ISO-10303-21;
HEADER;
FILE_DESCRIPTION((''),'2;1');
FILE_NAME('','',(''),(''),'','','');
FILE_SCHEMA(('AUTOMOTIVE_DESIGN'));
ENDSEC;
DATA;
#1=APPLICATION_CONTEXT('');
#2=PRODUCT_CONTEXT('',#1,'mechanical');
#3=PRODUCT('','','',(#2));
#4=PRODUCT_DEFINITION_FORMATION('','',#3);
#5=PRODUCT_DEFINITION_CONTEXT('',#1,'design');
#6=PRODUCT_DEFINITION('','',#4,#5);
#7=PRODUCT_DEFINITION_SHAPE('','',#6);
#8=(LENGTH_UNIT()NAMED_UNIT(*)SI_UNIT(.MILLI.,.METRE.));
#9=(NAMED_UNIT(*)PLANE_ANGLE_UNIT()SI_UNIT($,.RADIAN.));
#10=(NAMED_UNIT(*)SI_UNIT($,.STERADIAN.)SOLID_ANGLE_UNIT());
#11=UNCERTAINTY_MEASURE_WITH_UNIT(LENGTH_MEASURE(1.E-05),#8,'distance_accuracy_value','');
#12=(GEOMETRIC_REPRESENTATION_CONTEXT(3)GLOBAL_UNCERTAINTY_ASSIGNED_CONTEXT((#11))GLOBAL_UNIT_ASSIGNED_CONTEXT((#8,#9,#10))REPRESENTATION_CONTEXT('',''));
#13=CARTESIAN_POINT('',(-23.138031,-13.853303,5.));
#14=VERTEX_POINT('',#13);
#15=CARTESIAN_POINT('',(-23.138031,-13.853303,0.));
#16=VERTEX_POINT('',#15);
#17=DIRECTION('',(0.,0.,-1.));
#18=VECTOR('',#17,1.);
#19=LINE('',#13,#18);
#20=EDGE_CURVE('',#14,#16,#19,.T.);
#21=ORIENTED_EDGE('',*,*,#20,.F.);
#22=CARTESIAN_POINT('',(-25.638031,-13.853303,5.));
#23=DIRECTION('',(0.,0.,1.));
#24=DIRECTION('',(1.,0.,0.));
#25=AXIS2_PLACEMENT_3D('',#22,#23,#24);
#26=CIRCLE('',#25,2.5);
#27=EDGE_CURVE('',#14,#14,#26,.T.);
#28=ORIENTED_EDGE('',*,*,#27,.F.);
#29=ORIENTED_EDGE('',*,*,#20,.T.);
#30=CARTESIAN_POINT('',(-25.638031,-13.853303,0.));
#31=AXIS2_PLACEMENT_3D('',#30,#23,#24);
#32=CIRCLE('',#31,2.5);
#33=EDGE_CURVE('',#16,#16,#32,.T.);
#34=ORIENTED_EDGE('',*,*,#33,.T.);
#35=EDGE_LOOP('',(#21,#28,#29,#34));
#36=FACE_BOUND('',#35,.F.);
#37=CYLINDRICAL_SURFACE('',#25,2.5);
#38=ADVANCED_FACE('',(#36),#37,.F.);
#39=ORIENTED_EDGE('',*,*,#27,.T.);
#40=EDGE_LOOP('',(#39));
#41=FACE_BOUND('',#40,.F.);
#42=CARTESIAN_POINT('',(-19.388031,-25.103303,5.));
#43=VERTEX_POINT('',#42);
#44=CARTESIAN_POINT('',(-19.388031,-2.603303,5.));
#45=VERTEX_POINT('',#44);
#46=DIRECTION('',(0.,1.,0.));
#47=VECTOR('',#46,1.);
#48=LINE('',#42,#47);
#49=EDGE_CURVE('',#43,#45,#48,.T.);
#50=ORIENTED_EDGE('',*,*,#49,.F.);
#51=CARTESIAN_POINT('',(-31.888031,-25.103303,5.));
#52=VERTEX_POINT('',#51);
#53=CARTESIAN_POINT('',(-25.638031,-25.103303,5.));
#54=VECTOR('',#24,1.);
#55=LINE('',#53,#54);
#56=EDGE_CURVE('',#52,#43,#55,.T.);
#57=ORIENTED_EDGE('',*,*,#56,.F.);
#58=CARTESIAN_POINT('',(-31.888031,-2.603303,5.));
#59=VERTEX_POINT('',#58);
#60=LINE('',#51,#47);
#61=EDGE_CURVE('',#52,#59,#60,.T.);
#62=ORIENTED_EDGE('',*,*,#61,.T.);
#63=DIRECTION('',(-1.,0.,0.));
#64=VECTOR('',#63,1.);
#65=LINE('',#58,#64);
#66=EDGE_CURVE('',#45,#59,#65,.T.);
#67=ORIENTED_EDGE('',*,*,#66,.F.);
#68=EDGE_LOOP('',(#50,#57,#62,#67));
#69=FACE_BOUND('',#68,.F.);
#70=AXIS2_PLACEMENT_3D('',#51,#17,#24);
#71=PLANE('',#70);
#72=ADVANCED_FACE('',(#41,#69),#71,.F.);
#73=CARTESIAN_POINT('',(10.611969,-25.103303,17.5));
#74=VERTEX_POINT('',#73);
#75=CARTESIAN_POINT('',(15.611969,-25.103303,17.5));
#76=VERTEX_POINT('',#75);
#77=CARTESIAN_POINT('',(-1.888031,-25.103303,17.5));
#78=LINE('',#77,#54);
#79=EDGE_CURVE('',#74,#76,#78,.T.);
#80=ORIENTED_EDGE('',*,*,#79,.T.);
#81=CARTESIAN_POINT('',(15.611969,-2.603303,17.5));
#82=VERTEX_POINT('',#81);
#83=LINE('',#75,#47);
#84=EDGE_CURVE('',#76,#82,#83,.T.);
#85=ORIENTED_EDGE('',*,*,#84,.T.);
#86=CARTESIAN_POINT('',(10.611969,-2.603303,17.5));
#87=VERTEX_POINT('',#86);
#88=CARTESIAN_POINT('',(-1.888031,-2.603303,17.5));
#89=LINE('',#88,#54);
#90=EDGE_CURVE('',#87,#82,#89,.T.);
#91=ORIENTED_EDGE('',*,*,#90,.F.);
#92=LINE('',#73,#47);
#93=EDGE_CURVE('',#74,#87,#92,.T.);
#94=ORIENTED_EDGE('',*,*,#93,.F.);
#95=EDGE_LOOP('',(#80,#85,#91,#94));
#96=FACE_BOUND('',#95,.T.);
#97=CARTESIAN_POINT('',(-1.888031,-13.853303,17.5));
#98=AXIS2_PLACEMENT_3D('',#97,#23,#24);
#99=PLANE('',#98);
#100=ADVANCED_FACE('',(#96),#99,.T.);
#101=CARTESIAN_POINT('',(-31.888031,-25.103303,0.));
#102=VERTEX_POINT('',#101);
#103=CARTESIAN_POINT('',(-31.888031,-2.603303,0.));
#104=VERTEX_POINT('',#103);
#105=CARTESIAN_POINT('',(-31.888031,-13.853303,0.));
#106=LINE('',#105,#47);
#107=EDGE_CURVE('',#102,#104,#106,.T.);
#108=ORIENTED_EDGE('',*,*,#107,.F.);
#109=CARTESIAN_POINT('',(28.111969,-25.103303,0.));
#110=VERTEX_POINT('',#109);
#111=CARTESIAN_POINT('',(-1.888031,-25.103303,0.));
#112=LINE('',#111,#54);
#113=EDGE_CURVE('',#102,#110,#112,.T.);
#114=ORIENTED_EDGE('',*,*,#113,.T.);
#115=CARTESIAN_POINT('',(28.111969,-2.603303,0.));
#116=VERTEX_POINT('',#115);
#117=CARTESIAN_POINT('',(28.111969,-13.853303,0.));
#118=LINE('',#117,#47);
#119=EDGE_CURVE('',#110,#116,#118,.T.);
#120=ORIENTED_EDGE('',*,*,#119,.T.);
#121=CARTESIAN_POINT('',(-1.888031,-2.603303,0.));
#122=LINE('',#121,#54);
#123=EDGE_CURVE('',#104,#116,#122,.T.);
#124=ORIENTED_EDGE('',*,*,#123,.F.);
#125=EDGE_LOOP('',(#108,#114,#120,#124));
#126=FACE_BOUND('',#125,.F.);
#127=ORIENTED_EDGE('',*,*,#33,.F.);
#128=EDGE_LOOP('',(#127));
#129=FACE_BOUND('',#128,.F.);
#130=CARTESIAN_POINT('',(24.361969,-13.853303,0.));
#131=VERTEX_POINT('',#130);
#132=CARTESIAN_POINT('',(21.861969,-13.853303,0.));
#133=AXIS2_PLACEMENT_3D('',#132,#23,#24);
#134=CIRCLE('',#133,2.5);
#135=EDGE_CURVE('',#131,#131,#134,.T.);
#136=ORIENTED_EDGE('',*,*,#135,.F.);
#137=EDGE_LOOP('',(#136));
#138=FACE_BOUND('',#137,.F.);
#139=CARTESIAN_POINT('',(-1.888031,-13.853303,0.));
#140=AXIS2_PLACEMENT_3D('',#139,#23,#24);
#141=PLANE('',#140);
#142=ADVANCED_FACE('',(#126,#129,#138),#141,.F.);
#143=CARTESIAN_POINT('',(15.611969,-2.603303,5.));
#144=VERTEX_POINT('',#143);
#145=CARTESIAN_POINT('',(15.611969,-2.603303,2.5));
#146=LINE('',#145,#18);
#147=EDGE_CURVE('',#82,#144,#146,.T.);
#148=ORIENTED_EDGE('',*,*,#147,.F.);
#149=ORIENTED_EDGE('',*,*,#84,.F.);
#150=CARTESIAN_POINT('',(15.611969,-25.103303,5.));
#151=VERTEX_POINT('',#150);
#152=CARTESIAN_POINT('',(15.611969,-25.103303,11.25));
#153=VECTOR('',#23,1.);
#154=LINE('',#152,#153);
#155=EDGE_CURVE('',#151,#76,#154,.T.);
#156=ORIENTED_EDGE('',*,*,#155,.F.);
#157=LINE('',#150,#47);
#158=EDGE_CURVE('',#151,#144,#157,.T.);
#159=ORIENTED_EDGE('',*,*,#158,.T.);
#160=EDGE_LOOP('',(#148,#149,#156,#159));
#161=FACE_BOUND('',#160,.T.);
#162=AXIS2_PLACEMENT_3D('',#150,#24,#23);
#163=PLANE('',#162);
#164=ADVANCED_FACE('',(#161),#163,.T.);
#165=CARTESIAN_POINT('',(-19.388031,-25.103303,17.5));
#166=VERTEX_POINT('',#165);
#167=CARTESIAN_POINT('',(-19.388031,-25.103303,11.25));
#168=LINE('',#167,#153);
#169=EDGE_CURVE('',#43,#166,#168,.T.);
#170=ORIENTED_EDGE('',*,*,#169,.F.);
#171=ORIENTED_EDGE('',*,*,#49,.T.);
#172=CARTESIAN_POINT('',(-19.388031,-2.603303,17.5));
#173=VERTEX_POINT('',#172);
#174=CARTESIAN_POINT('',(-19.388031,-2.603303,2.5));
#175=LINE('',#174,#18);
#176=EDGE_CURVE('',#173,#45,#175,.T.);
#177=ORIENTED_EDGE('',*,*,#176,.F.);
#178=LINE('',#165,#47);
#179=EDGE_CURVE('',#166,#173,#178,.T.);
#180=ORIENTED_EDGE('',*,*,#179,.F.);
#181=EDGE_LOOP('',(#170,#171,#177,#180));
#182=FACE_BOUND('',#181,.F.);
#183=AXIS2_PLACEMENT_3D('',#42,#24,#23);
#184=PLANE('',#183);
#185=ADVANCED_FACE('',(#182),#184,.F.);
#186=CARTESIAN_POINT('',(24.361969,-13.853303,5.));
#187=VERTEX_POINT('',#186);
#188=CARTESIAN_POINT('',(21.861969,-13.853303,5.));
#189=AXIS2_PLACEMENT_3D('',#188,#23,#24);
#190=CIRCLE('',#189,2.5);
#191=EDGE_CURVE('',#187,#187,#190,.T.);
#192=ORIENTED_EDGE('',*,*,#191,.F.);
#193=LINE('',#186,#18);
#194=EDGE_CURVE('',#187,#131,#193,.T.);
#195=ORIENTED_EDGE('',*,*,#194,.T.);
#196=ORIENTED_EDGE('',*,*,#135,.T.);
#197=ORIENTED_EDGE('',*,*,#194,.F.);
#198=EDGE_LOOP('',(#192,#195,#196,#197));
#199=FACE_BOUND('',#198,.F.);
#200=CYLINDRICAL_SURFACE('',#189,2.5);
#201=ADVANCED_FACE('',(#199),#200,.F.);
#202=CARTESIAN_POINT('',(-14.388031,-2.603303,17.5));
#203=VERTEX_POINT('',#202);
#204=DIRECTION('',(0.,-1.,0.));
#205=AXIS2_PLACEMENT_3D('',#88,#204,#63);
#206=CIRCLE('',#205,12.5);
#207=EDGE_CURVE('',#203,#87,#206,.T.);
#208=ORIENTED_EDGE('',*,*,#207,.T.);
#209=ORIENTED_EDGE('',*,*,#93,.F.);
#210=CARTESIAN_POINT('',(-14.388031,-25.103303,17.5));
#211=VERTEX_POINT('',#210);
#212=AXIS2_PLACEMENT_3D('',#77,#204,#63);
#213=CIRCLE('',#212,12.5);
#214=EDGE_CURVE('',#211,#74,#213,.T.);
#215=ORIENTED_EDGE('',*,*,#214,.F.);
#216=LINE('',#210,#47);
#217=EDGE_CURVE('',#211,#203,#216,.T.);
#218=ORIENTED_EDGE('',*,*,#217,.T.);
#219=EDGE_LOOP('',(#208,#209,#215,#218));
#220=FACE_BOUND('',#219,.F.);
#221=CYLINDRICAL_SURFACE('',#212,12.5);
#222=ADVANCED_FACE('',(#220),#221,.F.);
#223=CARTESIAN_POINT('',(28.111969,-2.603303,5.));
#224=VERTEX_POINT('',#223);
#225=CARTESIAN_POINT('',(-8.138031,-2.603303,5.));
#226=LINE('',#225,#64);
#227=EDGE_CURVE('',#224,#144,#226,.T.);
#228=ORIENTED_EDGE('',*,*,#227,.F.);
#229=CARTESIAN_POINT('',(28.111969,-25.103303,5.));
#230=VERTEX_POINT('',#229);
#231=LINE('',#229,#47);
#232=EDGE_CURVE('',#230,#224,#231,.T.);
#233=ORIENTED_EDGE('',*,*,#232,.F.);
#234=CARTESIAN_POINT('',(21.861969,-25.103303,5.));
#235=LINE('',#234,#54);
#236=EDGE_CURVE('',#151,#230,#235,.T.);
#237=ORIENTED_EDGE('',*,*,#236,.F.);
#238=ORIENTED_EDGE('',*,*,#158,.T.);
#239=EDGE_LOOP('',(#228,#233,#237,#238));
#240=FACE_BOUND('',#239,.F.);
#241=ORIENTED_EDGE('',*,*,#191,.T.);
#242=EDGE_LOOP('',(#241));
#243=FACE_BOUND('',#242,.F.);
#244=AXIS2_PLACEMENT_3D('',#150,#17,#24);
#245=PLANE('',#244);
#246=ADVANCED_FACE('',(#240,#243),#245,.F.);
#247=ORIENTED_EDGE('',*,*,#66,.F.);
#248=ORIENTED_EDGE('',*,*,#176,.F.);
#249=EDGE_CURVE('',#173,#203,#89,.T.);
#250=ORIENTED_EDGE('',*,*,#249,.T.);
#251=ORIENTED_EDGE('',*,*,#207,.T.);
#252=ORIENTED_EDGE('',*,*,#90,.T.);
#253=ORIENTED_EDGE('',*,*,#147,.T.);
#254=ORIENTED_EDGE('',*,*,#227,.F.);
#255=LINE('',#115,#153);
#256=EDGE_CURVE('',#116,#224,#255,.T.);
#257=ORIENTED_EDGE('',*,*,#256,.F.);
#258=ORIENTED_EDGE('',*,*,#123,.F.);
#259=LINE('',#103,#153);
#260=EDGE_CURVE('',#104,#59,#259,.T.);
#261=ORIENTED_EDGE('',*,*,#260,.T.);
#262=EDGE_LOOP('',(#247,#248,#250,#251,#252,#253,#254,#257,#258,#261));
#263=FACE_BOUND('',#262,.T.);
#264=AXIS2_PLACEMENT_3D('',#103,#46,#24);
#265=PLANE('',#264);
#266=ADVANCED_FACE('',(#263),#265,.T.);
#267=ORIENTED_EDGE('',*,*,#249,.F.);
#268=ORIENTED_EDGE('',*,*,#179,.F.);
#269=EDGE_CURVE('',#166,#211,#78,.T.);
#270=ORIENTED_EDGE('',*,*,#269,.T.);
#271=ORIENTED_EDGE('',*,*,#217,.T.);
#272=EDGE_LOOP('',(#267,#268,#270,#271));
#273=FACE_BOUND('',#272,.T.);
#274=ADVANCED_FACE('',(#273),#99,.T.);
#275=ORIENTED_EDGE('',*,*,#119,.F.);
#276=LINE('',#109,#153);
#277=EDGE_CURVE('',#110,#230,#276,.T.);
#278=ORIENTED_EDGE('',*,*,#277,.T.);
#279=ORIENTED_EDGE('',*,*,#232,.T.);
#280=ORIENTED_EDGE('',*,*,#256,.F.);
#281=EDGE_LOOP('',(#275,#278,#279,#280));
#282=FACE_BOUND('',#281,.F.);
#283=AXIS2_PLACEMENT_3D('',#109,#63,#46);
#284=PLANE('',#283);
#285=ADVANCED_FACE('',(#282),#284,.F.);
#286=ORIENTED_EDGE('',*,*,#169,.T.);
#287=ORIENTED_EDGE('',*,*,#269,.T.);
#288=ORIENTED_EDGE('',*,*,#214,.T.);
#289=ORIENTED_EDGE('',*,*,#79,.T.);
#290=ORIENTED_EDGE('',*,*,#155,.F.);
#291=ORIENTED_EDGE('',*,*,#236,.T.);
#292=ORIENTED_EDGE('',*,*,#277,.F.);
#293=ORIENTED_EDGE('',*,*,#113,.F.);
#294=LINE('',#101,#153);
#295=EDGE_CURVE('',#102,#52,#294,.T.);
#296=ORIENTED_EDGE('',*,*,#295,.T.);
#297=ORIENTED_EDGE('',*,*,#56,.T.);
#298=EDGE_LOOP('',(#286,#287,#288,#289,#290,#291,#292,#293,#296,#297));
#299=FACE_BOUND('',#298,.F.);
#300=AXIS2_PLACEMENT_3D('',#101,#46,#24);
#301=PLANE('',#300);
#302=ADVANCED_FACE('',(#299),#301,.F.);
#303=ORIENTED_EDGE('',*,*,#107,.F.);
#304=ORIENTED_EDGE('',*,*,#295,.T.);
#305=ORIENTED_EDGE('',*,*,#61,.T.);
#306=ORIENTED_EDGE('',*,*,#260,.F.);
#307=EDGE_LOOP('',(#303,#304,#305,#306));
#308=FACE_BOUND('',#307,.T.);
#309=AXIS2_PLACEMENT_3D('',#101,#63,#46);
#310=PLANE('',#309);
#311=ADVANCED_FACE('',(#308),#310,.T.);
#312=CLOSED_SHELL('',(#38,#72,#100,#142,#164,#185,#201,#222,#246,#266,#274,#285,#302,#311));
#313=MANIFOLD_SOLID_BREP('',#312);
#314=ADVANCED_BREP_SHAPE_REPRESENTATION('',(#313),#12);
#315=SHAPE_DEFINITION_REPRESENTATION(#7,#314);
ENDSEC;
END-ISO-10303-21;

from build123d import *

# Parameters (mm, degrees)
F0_W     = 60
F0_H     = 22.5
F1_DEPTH = 17.5
F2_W     = 12.5
F2_H     = 12.5
F3_DEPTH = 22.501
F4_R     = 2.5
F5_DEPTH = 5.001
F6_R     = 2.5
F7_DEPTH = 5.001


with BuildPart() as f1:
    # F0 (on Top) → F1 (new body)
    with BuildSketch(Plane.XY):
        with Locations((-1.888031, -13.853303)):
            Rectangle(F0_W, F0_H)
    extrude(amount=F1_DEPTH)

    # F2 (on face) → F3 (cut, through all)
    with BuildSketch(Plane.XZ.offset(25.103303)):
        with Locations((-25.638031, 11.25)):
            Rectangle(F2_W, F2_H)
        with BuildLine():
            ThreePointArc((-14.388031, 17.5), (-1.888031, 5), (10.611969, 17.5))
            Line((10.611969, 17.5), (-14.388031, 17.5))
        make_face()
        with Locations((21.861969, 11.25)):
            Rectangle(F2_W, F2_H)
    extrude(amount=-F3_DEPTH, mode=Mode.SUBTRACT)

    # F4 (on face) → F5 (cut, through all)
    with BuildSketch(Plane.XY.offset(5)):
        with Locations((21.861969, -13.853303)):
            Circle(F4_R)
    extrude(amount=-F5_DEPTH, mode=Mode.SUBTRACT)

    # F6 (on face) → F7 (cut, through all)
    with BuildSketch(Plane.XY.offset(5)):
        with Locations((-25.638031, -13.853303)):
            Circle(F6_R)
    extrude(amount=-F7_DEPTH, mode=Mode.SUBTRACT)


solid = f1.part
